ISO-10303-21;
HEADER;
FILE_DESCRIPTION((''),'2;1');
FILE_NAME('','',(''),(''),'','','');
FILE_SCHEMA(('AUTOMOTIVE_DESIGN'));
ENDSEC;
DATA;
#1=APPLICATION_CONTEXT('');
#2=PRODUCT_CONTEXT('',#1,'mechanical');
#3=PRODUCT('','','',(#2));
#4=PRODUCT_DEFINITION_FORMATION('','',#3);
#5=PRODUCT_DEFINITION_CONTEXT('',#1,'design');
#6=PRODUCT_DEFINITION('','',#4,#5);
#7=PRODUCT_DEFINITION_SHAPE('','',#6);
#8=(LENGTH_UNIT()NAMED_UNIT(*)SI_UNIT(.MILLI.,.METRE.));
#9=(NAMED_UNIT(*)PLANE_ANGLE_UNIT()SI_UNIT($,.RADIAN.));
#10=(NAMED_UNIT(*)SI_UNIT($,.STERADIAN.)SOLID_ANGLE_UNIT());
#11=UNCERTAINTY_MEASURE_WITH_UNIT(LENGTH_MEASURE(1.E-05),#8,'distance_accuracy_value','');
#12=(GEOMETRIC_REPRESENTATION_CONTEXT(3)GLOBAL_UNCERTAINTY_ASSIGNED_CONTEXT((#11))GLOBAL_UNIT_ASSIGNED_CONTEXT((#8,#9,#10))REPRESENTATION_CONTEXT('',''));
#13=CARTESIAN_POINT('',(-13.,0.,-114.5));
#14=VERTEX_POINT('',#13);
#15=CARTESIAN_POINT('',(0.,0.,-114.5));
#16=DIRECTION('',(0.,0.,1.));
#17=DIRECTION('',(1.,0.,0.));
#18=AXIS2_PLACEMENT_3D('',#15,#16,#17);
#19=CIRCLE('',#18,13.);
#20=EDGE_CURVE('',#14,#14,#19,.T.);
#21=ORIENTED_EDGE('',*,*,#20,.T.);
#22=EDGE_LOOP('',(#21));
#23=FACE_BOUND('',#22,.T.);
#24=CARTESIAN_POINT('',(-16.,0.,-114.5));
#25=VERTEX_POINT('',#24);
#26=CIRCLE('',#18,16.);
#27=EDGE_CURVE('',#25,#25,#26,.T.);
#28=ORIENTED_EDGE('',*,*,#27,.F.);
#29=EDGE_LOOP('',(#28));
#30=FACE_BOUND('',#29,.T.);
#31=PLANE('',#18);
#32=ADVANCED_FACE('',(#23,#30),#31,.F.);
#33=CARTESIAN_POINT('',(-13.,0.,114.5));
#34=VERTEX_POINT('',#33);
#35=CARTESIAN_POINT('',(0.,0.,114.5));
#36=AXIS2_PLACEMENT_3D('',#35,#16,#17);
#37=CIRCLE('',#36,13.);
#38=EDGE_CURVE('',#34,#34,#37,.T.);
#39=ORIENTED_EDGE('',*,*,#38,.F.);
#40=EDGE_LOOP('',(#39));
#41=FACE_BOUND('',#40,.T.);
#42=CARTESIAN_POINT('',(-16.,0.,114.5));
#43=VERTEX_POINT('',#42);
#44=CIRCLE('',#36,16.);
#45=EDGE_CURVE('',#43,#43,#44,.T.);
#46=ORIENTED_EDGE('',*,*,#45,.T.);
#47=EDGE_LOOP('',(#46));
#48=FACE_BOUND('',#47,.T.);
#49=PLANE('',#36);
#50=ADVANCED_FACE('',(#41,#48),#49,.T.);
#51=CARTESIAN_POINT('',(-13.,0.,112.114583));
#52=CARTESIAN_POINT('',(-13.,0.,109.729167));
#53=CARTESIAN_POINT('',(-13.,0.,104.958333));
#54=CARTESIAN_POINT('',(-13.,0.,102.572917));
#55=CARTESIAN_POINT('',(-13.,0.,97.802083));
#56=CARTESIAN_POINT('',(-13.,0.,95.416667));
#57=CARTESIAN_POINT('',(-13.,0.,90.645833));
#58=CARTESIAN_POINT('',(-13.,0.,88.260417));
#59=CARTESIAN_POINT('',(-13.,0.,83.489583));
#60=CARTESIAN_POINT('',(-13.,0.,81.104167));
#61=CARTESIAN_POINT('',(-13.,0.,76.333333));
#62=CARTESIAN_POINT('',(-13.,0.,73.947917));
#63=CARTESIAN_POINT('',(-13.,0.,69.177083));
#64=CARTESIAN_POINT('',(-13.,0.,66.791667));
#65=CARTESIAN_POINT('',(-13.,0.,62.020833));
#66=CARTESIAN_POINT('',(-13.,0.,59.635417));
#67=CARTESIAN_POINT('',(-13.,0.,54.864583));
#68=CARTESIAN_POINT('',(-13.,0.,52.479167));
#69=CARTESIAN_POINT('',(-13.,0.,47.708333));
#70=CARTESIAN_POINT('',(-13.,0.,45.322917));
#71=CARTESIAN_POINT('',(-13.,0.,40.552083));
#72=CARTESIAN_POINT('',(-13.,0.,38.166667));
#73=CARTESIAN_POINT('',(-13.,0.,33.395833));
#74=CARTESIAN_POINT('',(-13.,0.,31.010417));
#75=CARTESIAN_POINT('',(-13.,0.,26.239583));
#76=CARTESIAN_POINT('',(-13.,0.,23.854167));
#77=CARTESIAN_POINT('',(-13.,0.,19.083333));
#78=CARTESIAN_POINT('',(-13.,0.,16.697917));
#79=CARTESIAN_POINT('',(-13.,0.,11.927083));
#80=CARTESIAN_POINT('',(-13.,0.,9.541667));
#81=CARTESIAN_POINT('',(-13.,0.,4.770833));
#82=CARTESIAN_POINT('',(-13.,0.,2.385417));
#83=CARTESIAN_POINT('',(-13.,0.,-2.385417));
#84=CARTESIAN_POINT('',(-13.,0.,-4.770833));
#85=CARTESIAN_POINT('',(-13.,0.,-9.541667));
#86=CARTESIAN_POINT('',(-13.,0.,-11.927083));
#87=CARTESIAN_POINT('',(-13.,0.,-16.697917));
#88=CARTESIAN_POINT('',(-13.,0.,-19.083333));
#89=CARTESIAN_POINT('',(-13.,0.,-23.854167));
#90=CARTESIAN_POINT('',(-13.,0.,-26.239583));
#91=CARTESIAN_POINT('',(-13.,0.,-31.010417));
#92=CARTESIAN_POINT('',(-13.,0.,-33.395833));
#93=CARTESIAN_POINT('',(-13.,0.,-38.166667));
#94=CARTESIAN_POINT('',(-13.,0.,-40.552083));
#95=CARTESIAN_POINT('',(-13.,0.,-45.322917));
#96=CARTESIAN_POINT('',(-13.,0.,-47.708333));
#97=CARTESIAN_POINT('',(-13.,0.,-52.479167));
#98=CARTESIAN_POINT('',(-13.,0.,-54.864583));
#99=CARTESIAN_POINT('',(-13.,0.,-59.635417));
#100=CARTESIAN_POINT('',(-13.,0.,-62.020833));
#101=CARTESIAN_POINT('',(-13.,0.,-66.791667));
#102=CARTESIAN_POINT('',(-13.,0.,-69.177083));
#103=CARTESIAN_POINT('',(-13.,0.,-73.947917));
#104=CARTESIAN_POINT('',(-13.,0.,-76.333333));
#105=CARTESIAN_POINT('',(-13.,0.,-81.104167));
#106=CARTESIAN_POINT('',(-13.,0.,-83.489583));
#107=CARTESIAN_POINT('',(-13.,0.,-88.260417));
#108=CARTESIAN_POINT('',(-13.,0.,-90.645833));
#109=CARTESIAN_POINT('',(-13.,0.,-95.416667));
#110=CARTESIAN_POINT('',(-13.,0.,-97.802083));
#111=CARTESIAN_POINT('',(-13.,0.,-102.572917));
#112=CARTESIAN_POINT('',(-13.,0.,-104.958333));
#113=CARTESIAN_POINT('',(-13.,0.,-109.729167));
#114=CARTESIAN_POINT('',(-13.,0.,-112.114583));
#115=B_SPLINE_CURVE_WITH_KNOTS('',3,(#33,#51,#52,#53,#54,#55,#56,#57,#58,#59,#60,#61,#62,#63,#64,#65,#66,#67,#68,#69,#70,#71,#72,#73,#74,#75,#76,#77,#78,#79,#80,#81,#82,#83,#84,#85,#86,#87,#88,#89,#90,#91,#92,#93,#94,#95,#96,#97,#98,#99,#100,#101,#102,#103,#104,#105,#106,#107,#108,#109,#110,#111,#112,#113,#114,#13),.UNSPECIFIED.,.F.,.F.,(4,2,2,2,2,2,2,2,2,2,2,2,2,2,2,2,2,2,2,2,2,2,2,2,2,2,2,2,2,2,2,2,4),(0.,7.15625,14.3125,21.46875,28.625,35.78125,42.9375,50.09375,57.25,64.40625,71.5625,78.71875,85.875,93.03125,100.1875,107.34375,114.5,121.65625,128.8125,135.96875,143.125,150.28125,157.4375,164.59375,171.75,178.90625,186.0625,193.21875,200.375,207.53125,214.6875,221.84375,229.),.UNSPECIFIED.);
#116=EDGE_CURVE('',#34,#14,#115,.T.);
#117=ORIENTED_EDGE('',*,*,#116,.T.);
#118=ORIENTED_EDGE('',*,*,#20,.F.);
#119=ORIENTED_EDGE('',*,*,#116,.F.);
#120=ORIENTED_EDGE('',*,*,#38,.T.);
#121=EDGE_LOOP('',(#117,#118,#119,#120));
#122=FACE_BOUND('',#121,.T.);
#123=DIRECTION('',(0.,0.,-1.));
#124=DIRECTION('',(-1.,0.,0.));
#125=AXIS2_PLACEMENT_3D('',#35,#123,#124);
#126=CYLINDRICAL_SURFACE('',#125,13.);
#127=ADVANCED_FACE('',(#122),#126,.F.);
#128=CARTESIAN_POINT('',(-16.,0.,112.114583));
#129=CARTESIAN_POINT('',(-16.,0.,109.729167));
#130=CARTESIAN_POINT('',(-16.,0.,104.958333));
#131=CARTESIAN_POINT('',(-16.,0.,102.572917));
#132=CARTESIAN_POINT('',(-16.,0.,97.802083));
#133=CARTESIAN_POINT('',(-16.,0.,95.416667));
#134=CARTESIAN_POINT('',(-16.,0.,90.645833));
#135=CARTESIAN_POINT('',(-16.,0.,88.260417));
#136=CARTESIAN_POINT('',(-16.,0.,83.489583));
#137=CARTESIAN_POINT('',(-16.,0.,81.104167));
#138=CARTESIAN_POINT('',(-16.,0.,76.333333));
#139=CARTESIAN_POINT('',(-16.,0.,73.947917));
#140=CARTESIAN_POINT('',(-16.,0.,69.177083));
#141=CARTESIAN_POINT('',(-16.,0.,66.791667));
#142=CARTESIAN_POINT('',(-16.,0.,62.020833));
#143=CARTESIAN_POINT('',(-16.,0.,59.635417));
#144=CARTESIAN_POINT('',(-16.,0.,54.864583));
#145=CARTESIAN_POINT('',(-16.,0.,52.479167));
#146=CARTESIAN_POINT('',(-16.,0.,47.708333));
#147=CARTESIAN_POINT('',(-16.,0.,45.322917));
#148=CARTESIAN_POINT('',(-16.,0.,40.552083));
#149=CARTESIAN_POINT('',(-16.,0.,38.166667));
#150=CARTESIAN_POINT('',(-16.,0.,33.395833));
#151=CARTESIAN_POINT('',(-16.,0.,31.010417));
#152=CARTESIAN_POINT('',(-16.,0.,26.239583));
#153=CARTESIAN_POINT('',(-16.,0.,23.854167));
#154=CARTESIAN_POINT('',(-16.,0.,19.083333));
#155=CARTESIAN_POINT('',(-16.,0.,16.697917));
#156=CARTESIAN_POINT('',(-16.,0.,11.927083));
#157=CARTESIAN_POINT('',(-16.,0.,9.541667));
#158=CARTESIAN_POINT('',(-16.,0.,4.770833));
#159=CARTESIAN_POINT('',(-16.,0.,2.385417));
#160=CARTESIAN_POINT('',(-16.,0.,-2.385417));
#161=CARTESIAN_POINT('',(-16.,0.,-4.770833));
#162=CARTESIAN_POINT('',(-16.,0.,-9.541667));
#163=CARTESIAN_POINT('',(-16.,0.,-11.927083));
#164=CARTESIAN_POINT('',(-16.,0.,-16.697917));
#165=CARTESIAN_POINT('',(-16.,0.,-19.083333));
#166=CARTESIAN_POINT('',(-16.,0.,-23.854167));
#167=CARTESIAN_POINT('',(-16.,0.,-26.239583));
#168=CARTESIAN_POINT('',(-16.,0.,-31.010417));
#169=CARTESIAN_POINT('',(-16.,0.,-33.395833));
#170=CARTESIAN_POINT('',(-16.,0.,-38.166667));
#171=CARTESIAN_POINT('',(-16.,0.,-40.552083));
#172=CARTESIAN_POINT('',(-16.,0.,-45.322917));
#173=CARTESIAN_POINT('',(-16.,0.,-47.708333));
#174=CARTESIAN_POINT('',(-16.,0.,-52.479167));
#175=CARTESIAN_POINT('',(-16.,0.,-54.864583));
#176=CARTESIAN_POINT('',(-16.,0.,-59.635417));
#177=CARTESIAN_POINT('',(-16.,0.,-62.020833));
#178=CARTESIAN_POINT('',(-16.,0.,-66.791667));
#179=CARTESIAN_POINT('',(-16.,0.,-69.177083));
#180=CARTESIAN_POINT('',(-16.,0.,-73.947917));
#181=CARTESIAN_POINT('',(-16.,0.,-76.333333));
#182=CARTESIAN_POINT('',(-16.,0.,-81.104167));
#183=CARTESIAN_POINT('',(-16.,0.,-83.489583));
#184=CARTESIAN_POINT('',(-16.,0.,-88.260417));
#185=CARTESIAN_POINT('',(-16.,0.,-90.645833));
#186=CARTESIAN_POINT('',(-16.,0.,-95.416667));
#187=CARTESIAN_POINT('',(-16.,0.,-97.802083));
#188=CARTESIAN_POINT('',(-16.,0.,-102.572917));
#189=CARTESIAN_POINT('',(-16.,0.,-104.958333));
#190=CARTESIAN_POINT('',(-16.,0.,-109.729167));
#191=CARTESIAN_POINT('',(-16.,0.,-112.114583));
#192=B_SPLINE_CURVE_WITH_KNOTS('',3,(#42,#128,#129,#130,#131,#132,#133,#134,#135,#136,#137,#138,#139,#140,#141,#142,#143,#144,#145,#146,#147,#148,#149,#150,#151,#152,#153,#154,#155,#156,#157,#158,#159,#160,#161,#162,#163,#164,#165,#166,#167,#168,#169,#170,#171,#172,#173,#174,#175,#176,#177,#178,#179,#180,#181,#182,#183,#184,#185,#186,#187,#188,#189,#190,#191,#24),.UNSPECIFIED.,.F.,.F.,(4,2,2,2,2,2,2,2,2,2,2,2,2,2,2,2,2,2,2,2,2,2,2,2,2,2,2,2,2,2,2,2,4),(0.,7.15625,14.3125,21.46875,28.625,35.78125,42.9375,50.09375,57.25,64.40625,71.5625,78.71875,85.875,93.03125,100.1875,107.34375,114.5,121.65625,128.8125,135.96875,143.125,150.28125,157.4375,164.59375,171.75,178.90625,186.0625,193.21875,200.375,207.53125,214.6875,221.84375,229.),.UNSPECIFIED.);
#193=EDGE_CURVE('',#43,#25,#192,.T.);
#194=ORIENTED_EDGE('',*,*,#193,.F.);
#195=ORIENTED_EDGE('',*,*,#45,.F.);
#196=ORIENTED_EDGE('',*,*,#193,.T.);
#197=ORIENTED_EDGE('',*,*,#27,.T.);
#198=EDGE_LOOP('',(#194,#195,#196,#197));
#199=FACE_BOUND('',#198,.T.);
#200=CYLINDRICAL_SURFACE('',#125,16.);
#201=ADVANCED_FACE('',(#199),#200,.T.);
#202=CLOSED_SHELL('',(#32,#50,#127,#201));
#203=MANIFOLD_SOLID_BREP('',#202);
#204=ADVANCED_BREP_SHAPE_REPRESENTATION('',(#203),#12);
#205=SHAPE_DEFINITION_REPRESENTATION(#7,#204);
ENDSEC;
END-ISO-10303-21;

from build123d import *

# Parameters (mm, degrees)
CROQUIS1_R     = 16
EXTRUIR1_DEPTH = 114.5
VACIADO1_T     = -3


with BuildPart() as part:
    # Croquis1 → Extruir1 (new, symmetric)
    with BuildSketch(Plane.XY):
        with Locations(Location((0, 0, 0), (0, 0, 180))):
            Circle(CROQUIS1_R)
    extrude(amount=EXTRUIR1_DEPTH, both=True)

    # Vaciado1
    vaciado1_openings = [part.faces().sort_by_distance(p)[0] for p in [
        (0, 0, 114.5),
        (0, 0, -114.5),
    ]]
    offset(amount=VACIADO1_T, openings=vaciado1_openings, kind=Kind.INTERSECTION)


solid = part.part
